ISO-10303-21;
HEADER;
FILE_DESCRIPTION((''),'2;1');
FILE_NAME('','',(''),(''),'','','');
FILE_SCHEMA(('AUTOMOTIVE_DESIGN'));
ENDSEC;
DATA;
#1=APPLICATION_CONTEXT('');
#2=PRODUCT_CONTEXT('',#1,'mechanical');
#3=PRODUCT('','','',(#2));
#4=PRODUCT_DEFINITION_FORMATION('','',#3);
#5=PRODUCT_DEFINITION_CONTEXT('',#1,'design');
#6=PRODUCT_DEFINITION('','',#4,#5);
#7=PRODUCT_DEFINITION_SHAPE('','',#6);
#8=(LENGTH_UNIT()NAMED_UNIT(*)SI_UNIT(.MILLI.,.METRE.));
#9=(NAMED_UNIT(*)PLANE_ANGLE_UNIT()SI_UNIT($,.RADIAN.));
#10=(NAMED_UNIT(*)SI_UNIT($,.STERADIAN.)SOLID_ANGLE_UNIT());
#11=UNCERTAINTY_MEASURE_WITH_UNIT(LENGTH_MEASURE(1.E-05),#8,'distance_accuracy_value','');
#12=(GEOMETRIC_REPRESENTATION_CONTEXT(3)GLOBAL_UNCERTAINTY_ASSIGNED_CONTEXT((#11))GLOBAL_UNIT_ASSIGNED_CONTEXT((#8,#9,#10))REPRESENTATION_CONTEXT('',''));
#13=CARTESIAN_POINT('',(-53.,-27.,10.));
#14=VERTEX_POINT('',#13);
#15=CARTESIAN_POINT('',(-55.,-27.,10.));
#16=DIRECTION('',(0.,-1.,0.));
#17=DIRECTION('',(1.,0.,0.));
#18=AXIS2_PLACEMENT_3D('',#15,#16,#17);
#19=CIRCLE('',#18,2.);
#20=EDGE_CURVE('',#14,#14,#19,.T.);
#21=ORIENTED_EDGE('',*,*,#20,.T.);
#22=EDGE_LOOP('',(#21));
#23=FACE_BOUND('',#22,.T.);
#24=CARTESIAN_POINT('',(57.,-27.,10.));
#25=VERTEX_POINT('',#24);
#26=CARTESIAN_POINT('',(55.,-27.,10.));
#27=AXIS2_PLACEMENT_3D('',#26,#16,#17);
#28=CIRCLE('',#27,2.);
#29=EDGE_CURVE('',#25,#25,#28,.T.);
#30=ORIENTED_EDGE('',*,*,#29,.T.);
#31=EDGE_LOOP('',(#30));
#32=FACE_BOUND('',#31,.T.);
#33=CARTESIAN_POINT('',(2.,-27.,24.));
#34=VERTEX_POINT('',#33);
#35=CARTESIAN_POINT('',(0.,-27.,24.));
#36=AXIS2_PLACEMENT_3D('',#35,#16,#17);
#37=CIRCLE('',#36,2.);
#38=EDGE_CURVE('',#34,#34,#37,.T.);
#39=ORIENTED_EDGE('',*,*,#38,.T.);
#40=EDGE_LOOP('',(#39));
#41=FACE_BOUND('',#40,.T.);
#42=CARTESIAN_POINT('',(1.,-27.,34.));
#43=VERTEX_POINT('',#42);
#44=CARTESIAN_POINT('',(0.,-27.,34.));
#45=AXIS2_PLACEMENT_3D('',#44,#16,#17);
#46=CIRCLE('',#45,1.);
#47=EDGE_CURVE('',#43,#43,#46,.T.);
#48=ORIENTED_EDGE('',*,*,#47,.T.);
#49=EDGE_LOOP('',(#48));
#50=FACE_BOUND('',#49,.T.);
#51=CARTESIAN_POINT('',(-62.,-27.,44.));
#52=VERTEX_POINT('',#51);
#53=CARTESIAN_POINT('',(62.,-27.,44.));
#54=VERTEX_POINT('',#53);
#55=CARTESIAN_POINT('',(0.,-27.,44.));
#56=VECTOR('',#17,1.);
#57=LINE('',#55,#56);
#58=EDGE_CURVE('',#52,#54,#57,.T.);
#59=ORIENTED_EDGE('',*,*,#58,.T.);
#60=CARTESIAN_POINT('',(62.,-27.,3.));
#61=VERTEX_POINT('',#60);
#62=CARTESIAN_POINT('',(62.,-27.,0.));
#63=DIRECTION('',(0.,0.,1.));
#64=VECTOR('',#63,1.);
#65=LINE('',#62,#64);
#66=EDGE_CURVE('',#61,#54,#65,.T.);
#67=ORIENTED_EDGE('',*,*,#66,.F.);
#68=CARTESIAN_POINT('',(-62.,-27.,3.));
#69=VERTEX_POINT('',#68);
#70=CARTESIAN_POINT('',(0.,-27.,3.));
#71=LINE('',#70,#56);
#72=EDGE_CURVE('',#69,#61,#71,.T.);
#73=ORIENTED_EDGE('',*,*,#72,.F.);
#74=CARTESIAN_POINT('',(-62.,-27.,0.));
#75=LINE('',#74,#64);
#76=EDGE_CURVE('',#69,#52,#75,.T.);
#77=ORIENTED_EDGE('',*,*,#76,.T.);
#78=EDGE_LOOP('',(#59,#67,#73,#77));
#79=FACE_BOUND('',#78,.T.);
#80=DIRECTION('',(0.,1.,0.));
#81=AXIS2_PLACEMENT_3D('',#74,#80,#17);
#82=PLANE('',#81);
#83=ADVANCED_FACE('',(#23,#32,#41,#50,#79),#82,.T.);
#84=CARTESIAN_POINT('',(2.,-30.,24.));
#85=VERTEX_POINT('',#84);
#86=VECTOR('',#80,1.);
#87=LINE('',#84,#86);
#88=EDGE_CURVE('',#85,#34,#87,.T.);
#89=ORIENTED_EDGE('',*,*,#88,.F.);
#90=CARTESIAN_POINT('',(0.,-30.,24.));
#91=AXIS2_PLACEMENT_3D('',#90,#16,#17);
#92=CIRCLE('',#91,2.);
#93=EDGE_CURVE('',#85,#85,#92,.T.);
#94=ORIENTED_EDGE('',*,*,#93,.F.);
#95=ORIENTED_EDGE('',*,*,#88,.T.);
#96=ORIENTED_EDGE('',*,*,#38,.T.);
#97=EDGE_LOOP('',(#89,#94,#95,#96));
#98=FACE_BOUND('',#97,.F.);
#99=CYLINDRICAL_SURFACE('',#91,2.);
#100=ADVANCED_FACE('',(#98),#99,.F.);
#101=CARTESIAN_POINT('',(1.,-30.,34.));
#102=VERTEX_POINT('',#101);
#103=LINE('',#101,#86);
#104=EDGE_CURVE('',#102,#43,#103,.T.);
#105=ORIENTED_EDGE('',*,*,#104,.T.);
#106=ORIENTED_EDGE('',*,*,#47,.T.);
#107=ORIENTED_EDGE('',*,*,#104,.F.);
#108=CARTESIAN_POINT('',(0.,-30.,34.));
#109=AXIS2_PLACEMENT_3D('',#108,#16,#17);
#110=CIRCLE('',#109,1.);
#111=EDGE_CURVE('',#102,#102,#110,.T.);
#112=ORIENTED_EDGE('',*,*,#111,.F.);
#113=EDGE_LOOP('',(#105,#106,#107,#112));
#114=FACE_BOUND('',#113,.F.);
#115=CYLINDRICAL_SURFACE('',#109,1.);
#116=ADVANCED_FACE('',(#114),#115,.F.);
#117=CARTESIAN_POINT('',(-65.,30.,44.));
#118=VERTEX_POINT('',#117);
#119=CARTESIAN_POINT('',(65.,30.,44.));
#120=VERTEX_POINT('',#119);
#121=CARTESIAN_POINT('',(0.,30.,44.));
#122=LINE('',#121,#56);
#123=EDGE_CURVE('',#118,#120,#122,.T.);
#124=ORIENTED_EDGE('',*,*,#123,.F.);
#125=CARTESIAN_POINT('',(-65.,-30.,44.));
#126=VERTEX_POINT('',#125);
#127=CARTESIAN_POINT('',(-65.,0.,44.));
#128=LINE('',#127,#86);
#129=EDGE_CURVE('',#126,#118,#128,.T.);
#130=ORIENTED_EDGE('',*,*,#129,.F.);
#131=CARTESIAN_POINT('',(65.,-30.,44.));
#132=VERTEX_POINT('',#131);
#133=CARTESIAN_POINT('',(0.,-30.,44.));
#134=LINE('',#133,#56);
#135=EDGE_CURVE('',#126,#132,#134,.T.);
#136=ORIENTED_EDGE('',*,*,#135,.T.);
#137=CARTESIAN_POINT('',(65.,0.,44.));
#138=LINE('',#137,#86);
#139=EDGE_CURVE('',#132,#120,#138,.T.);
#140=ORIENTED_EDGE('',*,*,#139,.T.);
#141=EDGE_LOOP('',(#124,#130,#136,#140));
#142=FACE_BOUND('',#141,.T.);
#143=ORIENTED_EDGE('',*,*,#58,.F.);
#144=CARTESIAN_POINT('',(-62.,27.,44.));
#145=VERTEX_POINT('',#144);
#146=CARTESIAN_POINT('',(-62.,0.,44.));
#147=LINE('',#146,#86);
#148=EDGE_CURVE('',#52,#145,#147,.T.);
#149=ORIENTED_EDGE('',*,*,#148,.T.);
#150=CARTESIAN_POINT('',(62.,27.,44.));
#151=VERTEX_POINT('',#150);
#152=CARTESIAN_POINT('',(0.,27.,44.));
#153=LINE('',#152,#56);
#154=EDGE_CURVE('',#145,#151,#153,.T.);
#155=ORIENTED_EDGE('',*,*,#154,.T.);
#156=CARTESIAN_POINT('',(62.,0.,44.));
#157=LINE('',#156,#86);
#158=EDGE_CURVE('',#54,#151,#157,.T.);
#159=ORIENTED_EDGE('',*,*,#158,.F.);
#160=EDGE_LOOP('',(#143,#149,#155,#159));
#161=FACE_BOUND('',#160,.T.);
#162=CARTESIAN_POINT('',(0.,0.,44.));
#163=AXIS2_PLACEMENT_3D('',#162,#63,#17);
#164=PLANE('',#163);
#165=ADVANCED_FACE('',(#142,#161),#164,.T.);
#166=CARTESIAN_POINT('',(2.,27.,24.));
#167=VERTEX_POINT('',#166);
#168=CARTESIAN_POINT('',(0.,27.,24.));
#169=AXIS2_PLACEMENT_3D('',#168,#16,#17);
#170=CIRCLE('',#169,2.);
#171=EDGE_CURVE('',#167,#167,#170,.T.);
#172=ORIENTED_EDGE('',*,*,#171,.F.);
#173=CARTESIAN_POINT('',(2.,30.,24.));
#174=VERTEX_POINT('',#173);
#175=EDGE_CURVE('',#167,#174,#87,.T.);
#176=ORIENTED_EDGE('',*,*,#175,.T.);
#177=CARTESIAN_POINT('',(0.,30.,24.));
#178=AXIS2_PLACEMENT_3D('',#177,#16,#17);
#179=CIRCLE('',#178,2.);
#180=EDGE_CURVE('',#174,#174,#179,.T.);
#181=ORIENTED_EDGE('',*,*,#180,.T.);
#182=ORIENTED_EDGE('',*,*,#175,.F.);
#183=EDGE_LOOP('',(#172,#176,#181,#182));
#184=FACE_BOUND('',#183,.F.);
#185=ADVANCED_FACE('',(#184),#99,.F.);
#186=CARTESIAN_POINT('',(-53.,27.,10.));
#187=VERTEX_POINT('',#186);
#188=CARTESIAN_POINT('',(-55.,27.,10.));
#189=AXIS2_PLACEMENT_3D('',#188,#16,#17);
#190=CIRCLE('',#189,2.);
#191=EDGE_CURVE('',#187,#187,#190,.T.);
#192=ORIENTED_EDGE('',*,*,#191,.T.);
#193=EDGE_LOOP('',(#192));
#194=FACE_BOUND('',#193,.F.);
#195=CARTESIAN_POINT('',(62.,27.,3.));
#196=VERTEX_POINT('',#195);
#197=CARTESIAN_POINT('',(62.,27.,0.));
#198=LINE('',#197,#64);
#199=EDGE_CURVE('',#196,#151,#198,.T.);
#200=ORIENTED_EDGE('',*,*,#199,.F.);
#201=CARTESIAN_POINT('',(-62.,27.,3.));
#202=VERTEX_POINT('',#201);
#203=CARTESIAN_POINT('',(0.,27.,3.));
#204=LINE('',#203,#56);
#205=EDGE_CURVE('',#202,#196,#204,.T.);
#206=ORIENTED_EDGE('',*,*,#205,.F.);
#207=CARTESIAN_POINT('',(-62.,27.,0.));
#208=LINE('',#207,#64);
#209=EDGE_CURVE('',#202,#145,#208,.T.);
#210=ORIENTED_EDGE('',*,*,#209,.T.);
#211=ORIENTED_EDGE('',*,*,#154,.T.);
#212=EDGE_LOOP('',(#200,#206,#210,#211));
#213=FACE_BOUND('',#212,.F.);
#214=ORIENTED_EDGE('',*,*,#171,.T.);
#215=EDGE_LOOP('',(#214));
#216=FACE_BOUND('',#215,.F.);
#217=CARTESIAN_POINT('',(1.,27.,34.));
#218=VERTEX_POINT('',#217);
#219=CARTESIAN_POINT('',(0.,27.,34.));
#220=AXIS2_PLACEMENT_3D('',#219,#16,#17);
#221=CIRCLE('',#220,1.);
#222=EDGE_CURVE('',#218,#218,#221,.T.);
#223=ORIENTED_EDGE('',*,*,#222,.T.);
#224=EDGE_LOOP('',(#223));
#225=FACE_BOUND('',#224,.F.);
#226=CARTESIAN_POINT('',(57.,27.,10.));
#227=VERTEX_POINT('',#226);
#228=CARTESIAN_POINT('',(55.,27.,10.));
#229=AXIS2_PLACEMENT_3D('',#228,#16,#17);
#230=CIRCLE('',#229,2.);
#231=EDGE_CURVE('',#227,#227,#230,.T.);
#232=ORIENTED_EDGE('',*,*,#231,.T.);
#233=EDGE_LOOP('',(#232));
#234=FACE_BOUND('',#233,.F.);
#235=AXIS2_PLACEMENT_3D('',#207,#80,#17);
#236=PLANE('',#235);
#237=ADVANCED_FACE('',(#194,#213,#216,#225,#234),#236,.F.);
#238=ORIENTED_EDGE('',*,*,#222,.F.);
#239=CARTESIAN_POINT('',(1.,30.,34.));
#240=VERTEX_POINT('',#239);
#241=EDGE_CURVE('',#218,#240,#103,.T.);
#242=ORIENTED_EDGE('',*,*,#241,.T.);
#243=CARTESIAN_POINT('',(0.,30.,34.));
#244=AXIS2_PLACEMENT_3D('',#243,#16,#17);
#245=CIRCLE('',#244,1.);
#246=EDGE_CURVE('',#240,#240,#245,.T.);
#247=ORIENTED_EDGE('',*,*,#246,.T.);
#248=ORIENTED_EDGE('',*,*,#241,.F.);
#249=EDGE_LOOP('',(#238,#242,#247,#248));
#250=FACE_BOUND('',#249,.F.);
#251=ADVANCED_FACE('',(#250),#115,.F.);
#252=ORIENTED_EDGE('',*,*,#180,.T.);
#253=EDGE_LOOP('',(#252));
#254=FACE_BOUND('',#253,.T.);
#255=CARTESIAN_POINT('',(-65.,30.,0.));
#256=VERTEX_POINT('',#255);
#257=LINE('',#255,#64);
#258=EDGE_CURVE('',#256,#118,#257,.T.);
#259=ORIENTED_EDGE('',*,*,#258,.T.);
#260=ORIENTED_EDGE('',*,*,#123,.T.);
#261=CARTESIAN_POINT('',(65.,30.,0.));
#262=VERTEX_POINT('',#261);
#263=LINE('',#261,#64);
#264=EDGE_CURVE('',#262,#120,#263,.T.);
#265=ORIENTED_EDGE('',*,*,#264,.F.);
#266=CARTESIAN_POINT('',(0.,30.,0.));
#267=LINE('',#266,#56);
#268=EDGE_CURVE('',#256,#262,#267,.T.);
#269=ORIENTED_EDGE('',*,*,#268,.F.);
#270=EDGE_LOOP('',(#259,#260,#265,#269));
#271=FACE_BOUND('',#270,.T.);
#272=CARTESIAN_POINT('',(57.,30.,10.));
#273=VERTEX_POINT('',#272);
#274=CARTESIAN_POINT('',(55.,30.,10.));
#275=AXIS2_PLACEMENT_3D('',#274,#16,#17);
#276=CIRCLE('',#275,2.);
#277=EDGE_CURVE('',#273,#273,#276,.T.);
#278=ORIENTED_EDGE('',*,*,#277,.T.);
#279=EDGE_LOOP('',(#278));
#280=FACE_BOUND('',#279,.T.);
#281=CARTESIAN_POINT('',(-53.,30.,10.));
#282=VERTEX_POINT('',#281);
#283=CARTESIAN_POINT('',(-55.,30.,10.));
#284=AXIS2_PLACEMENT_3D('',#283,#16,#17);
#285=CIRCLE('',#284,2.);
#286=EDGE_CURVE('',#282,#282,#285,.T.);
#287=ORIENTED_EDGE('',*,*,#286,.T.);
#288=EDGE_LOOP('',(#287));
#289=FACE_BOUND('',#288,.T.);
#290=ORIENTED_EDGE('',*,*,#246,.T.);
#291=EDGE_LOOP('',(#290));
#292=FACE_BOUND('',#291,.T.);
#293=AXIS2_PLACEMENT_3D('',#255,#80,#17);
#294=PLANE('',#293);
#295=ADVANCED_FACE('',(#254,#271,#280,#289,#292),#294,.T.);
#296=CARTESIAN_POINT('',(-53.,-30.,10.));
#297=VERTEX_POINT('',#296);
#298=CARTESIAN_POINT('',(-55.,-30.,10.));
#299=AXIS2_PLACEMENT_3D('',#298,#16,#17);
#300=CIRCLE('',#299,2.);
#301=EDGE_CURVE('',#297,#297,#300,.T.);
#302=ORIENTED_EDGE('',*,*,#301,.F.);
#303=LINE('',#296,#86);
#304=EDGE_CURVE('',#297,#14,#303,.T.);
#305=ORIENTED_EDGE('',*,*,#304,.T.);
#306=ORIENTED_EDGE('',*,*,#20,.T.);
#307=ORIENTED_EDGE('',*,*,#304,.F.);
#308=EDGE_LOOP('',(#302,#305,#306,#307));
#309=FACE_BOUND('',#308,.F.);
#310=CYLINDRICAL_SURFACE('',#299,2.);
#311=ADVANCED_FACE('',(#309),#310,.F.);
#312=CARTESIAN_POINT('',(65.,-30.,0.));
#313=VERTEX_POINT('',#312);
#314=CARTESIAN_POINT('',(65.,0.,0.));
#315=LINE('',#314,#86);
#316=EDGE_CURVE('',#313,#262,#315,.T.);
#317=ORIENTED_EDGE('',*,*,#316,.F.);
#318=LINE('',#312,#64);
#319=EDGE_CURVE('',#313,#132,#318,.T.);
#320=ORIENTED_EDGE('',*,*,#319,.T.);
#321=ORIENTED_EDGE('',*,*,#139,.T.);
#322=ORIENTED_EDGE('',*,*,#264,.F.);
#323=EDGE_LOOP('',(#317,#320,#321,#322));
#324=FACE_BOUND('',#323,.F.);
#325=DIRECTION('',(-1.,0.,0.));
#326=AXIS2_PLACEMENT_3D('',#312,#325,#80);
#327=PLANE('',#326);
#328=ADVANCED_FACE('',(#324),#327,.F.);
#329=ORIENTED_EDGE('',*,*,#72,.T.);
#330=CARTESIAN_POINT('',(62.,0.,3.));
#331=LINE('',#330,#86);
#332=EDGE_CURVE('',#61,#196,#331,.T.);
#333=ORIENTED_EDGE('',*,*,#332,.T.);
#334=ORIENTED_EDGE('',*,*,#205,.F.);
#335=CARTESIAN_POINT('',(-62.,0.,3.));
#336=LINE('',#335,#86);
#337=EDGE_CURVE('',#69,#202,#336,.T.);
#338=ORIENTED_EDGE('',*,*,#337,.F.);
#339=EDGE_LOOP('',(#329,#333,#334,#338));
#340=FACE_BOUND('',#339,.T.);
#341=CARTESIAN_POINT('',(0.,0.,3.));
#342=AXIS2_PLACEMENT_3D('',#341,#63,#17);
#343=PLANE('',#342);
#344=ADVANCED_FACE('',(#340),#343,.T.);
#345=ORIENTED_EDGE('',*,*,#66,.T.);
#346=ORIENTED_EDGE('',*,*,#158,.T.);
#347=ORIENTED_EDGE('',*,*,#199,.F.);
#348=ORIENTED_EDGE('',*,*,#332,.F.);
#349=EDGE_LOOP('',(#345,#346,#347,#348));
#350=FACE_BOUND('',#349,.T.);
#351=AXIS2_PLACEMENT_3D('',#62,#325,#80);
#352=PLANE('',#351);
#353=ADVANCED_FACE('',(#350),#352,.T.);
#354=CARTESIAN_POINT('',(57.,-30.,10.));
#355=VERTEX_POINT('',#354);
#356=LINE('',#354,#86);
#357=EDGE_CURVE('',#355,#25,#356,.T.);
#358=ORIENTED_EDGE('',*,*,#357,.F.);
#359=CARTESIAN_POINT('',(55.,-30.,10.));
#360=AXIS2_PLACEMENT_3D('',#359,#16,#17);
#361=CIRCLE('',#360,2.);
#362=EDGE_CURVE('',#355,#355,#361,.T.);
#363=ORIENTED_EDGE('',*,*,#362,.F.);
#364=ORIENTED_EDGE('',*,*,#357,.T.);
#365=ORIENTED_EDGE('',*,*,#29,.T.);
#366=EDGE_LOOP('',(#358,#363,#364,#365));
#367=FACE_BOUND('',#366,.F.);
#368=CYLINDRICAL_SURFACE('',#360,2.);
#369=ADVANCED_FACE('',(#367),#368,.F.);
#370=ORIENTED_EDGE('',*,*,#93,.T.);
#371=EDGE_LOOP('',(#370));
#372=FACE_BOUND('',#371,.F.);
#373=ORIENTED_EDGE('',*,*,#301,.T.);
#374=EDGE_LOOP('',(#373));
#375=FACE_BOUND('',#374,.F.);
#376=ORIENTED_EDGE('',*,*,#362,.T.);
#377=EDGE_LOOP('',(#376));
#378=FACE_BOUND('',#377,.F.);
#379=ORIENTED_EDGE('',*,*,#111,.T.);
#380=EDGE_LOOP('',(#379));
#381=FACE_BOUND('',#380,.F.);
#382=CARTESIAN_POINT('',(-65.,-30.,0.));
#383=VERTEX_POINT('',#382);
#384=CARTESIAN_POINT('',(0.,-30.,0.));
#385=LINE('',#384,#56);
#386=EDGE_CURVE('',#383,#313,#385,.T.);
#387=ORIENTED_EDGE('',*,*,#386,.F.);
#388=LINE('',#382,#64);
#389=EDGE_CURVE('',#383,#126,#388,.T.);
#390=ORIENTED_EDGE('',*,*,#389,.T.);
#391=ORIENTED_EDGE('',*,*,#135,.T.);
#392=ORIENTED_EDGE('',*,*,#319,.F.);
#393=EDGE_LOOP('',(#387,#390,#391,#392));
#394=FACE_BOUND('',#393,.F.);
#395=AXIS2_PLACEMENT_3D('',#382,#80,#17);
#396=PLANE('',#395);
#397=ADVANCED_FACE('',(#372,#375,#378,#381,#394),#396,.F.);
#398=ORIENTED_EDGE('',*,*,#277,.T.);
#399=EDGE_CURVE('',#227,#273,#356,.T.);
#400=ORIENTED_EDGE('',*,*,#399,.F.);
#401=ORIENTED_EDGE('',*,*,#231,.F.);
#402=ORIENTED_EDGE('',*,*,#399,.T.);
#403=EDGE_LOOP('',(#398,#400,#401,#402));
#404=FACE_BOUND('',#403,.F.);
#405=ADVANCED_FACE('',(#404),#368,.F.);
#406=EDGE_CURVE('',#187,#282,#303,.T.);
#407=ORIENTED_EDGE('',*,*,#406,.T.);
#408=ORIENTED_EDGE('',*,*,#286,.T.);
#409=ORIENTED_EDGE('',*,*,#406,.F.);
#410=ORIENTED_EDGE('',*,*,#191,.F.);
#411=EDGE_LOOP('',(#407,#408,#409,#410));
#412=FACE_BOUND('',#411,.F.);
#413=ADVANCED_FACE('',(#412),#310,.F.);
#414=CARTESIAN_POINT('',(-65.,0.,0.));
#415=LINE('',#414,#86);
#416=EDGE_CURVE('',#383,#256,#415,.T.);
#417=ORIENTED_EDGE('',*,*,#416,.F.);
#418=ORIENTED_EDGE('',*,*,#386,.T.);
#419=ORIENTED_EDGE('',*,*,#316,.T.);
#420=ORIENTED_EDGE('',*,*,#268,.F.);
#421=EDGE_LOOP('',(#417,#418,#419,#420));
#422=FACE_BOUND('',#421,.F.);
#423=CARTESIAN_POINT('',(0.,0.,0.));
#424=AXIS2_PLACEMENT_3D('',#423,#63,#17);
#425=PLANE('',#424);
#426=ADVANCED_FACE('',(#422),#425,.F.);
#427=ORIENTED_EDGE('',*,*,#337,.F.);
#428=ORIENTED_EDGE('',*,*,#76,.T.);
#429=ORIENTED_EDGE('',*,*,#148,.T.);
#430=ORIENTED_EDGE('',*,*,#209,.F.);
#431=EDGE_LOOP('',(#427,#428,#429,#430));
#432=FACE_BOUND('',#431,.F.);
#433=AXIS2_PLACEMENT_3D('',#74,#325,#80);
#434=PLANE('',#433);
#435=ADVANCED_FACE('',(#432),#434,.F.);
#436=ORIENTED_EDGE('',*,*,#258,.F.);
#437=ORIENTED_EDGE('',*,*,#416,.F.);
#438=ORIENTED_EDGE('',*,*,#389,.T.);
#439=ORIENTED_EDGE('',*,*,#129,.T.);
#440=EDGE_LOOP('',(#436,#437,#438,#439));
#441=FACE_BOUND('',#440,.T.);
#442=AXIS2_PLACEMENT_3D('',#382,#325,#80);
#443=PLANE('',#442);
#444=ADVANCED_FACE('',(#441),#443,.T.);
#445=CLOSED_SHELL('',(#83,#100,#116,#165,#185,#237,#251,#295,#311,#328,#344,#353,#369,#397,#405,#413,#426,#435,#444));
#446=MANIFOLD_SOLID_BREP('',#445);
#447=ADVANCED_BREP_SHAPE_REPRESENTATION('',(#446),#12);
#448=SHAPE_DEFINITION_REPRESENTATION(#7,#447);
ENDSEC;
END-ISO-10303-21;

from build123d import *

# Parameters (mm, degrees)
F0_W     = 130
F0_H     = 60
F0_W_2   = 124
F0_H_2   = 54
F1_DEPTH = 44
F2_R     = 2
F2_R_2   = 1
F3_DEPTH = 60.001
F4_W     = 124
F4_H     = 54
F5_DEPTH = 3


with BuildPart() as f1:
    # F0 (on Top) → F1 (new body)
    with BuildSketch(Plane.XY):
        Rectangle(F0_W, F0_H)
        Rectangle(F0_W_2, F0_H_2, mode=Mode.SUBTRACT)
    extrude(amount=F1_DEPTH)

    # F2 (on face) → F3 (cut, through all)
    with BuildSketch(Plane.XZ.offset(30)):
        with Locations((55, 10)):
            Circle(F2_R)
        with Locations((-55, 10)):
            Circle(F2_R)
        with Locations((0, 24)):
            Circle(F2_R)
        with Locations((0, 34)):
            Circle(F2_R_2)
    extrude(amount=-F3_DEPTH, mode=Mode.SUBTRACT)

    # F4 (on Top) → F5 (join)
    with BuildSketch(Plane.XY):
        Rectangle(F4_W, F4_H)
    extrude(amount=F5_DEPTH)


solid = f1.part
